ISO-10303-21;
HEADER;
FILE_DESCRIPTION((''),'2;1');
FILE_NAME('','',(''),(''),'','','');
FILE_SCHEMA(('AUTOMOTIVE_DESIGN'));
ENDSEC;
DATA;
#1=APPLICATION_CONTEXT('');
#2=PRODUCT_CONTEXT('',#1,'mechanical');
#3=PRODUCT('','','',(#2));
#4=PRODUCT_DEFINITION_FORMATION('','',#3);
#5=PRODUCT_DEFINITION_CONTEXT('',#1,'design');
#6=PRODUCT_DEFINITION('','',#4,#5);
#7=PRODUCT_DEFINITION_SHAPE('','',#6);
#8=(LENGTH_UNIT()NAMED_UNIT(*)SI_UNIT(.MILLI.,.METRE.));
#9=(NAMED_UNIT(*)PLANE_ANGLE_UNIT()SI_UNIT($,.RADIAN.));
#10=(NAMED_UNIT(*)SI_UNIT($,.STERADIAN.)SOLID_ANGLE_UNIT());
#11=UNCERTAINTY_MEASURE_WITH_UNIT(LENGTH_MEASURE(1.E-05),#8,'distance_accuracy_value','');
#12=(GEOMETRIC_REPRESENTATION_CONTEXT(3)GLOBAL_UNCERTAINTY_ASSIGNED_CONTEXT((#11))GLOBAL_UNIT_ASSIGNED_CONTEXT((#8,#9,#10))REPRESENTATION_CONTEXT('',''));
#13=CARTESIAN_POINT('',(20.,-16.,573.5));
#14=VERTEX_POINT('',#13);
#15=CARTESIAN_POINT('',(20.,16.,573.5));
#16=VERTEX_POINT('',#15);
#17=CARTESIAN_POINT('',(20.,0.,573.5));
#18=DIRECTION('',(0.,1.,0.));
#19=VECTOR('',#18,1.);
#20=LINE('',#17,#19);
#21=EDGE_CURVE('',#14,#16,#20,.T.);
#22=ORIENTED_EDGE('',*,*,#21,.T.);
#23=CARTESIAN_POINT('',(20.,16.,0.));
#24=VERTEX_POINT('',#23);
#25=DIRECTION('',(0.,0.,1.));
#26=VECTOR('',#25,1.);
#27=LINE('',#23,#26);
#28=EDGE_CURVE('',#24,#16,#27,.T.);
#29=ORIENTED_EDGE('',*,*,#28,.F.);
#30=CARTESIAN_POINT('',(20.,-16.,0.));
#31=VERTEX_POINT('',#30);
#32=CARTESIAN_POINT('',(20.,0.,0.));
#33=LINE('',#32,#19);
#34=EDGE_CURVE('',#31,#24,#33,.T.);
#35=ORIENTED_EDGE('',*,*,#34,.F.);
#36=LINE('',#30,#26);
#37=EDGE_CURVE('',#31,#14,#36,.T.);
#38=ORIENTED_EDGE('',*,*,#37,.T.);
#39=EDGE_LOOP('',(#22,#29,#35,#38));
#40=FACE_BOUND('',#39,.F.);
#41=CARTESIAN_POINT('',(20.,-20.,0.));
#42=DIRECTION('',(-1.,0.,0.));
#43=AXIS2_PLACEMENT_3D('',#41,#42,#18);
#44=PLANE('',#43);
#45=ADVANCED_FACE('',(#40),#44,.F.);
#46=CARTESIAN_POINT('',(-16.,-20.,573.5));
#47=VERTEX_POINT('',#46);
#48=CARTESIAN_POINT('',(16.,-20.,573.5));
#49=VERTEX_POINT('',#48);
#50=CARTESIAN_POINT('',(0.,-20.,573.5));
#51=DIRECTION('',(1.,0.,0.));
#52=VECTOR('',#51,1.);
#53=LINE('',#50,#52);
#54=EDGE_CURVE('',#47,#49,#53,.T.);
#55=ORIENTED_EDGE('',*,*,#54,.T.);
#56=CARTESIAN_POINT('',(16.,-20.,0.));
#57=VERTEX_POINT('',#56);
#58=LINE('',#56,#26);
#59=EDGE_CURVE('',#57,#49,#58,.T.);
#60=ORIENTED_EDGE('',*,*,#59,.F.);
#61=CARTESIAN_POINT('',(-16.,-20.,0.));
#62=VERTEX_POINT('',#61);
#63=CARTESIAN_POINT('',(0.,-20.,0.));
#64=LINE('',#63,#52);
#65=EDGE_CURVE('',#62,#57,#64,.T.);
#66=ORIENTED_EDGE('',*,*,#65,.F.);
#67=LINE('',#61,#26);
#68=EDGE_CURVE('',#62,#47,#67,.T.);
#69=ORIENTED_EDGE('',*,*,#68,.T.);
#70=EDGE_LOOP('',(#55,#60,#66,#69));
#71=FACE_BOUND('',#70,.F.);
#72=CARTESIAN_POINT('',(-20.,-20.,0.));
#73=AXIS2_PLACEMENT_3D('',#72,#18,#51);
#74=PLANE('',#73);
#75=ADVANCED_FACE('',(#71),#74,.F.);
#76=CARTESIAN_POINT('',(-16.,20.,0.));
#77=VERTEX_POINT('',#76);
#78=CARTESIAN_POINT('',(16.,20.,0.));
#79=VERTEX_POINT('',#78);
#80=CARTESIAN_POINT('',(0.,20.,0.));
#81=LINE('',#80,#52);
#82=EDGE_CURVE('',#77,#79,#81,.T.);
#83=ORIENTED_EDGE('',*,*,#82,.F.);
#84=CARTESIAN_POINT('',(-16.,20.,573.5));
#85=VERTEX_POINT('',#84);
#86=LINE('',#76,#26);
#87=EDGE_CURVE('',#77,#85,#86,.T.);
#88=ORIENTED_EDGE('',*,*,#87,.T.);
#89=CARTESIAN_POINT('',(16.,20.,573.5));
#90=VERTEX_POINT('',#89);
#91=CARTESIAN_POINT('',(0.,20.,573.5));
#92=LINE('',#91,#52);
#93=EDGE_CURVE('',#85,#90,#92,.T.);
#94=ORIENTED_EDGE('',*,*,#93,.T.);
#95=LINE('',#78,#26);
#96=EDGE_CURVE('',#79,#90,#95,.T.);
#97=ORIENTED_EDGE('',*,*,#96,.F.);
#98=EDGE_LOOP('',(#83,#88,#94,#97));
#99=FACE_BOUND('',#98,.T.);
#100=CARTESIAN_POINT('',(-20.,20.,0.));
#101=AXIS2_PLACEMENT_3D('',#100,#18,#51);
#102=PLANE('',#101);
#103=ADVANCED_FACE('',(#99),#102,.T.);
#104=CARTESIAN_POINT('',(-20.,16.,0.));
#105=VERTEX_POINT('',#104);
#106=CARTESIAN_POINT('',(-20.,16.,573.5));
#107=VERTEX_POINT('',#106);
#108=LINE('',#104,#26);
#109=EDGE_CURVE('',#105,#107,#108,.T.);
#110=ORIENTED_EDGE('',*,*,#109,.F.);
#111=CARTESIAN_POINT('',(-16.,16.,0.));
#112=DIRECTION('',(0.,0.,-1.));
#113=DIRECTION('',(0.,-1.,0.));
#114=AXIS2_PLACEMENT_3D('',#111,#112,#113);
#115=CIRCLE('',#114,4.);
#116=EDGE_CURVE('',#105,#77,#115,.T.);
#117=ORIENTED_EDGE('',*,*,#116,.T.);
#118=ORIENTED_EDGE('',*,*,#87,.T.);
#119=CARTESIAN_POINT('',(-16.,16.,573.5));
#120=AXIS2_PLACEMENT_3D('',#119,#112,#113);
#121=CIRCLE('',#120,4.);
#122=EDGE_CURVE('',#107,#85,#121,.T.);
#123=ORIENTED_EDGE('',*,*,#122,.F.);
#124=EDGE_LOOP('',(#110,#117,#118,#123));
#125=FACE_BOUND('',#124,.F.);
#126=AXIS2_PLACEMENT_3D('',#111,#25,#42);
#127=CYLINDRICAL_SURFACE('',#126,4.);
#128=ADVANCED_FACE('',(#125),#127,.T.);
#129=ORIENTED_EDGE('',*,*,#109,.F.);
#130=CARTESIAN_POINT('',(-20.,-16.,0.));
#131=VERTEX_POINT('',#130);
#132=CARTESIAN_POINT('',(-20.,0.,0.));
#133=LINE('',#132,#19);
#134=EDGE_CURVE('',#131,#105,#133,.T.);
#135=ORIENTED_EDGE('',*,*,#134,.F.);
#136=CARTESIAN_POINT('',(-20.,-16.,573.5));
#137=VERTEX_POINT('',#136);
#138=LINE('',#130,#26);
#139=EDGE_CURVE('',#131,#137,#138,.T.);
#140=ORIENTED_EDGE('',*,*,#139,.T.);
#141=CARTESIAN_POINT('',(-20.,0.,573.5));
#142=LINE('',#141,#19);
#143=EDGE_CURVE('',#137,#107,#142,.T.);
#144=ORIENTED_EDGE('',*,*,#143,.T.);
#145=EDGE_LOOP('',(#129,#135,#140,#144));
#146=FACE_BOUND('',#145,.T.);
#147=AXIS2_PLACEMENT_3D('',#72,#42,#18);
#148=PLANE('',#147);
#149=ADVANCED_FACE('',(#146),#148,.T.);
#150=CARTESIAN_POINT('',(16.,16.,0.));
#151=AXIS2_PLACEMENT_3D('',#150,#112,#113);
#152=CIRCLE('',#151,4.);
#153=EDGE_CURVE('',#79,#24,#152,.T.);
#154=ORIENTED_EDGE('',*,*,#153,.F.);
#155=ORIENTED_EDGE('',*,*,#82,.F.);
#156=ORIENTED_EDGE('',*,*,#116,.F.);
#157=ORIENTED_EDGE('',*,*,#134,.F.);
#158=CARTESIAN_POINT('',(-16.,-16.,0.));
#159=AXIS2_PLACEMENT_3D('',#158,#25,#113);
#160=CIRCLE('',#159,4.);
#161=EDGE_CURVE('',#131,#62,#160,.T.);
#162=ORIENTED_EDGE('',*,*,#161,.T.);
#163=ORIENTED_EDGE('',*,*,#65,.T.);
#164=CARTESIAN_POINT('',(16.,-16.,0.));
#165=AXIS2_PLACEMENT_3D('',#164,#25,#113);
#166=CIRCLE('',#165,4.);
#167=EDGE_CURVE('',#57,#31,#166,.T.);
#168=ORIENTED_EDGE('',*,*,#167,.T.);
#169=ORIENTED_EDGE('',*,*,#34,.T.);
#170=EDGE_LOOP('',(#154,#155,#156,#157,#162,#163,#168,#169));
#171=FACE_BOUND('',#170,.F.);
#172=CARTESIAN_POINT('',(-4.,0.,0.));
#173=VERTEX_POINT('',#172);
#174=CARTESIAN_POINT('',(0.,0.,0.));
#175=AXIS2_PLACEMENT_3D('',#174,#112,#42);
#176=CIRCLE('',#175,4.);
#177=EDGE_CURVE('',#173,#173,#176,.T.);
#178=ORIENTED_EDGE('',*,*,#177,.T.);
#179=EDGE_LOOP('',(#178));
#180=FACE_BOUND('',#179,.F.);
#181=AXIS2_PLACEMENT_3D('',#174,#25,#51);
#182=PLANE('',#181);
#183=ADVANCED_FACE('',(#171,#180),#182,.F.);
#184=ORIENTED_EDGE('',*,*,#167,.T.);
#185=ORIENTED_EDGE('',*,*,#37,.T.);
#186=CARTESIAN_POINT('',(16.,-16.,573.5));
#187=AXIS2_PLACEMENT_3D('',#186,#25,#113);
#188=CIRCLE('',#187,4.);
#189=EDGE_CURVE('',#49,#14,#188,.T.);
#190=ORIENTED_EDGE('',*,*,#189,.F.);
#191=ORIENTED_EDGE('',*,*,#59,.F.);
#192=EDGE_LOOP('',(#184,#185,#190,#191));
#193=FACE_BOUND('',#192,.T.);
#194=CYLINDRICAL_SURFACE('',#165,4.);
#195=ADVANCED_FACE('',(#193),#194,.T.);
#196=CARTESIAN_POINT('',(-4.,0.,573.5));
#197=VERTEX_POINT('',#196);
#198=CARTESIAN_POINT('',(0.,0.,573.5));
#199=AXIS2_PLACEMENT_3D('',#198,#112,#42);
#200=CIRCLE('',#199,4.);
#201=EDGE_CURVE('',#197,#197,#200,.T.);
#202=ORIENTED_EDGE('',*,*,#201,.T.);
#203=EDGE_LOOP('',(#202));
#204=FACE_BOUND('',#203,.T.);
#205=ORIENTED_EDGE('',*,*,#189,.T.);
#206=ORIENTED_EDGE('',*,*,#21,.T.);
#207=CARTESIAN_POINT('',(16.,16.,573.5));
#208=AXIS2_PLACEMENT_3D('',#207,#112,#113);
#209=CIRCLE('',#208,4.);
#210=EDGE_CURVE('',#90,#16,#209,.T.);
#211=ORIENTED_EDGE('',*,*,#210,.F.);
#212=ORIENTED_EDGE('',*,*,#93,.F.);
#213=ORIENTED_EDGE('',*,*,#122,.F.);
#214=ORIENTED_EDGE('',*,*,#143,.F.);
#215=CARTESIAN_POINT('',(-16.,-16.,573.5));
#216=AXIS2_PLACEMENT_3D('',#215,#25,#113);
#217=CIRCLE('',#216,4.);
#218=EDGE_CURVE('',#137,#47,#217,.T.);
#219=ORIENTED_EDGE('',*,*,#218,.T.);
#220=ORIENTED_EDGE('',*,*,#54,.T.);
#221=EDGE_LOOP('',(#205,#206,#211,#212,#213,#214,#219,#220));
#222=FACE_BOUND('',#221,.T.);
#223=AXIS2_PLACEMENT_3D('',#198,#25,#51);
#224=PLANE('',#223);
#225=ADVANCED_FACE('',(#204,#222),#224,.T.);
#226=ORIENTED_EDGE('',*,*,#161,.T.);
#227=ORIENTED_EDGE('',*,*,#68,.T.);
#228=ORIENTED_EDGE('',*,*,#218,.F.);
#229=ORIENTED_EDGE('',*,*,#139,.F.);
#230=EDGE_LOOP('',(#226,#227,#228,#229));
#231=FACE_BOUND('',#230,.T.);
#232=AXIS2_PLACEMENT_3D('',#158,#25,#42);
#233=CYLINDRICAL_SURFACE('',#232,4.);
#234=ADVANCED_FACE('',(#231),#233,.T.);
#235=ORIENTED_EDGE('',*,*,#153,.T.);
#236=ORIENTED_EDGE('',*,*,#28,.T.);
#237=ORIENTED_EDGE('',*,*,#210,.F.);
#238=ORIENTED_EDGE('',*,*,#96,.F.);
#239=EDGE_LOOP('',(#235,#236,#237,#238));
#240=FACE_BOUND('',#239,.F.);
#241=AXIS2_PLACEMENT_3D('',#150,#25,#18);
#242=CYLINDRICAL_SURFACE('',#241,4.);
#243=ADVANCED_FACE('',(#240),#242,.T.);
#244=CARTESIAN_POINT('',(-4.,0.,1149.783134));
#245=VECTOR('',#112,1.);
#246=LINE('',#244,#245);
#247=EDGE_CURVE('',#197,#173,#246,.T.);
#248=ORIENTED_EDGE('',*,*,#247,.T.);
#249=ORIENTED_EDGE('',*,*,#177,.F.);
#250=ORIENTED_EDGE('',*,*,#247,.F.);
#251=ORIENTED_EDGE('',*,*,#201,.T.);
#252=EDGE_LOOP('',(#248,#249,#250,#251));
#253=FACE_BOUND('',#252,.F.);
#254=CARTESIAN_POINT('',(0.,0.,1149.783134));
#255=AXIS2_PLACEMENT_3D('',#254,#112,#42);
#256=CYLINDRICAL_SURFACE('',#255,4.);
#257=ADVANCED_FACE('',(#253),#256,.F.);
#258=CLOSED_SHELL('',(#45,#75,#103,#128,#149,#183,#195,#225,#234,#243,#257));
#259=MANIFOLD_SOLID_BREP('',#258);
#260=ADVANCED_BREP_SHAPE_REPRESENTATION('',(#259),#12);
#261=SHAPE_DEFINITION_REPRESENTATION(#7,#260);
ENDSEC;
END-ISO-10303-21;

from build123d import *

# Parameters (mm, degrees)
F0_W     = 40
F0_H     = 40
F1_DEPTH = 573.5
F3_D     = 8
F4_R     = 4


with BuildPart() as f1:
    # F0 (on Top) → F1 (new body)
    with BuildSketch(Plane.XY):
        Rectangle(F0_W, F0_H)
    extrude(amount=F1_DEPTH)

    # F3 (through all)
    with Locations(Plane.XY.offset(573.5)):
        with Locations((0, 0)):
            Hole(F3_D / 2)

    # F4
    f4_edges = [f1.edges().sort_by_distance(p)[0] for p in [
        (-20, -20, 286.75),
        (20, -20, 286.75),
        (20, 20, 286.75),
        (-20, 20, 286.75),
    ]]
    fillet(f4_edges, radius=F4_R)


solid = f1.part
